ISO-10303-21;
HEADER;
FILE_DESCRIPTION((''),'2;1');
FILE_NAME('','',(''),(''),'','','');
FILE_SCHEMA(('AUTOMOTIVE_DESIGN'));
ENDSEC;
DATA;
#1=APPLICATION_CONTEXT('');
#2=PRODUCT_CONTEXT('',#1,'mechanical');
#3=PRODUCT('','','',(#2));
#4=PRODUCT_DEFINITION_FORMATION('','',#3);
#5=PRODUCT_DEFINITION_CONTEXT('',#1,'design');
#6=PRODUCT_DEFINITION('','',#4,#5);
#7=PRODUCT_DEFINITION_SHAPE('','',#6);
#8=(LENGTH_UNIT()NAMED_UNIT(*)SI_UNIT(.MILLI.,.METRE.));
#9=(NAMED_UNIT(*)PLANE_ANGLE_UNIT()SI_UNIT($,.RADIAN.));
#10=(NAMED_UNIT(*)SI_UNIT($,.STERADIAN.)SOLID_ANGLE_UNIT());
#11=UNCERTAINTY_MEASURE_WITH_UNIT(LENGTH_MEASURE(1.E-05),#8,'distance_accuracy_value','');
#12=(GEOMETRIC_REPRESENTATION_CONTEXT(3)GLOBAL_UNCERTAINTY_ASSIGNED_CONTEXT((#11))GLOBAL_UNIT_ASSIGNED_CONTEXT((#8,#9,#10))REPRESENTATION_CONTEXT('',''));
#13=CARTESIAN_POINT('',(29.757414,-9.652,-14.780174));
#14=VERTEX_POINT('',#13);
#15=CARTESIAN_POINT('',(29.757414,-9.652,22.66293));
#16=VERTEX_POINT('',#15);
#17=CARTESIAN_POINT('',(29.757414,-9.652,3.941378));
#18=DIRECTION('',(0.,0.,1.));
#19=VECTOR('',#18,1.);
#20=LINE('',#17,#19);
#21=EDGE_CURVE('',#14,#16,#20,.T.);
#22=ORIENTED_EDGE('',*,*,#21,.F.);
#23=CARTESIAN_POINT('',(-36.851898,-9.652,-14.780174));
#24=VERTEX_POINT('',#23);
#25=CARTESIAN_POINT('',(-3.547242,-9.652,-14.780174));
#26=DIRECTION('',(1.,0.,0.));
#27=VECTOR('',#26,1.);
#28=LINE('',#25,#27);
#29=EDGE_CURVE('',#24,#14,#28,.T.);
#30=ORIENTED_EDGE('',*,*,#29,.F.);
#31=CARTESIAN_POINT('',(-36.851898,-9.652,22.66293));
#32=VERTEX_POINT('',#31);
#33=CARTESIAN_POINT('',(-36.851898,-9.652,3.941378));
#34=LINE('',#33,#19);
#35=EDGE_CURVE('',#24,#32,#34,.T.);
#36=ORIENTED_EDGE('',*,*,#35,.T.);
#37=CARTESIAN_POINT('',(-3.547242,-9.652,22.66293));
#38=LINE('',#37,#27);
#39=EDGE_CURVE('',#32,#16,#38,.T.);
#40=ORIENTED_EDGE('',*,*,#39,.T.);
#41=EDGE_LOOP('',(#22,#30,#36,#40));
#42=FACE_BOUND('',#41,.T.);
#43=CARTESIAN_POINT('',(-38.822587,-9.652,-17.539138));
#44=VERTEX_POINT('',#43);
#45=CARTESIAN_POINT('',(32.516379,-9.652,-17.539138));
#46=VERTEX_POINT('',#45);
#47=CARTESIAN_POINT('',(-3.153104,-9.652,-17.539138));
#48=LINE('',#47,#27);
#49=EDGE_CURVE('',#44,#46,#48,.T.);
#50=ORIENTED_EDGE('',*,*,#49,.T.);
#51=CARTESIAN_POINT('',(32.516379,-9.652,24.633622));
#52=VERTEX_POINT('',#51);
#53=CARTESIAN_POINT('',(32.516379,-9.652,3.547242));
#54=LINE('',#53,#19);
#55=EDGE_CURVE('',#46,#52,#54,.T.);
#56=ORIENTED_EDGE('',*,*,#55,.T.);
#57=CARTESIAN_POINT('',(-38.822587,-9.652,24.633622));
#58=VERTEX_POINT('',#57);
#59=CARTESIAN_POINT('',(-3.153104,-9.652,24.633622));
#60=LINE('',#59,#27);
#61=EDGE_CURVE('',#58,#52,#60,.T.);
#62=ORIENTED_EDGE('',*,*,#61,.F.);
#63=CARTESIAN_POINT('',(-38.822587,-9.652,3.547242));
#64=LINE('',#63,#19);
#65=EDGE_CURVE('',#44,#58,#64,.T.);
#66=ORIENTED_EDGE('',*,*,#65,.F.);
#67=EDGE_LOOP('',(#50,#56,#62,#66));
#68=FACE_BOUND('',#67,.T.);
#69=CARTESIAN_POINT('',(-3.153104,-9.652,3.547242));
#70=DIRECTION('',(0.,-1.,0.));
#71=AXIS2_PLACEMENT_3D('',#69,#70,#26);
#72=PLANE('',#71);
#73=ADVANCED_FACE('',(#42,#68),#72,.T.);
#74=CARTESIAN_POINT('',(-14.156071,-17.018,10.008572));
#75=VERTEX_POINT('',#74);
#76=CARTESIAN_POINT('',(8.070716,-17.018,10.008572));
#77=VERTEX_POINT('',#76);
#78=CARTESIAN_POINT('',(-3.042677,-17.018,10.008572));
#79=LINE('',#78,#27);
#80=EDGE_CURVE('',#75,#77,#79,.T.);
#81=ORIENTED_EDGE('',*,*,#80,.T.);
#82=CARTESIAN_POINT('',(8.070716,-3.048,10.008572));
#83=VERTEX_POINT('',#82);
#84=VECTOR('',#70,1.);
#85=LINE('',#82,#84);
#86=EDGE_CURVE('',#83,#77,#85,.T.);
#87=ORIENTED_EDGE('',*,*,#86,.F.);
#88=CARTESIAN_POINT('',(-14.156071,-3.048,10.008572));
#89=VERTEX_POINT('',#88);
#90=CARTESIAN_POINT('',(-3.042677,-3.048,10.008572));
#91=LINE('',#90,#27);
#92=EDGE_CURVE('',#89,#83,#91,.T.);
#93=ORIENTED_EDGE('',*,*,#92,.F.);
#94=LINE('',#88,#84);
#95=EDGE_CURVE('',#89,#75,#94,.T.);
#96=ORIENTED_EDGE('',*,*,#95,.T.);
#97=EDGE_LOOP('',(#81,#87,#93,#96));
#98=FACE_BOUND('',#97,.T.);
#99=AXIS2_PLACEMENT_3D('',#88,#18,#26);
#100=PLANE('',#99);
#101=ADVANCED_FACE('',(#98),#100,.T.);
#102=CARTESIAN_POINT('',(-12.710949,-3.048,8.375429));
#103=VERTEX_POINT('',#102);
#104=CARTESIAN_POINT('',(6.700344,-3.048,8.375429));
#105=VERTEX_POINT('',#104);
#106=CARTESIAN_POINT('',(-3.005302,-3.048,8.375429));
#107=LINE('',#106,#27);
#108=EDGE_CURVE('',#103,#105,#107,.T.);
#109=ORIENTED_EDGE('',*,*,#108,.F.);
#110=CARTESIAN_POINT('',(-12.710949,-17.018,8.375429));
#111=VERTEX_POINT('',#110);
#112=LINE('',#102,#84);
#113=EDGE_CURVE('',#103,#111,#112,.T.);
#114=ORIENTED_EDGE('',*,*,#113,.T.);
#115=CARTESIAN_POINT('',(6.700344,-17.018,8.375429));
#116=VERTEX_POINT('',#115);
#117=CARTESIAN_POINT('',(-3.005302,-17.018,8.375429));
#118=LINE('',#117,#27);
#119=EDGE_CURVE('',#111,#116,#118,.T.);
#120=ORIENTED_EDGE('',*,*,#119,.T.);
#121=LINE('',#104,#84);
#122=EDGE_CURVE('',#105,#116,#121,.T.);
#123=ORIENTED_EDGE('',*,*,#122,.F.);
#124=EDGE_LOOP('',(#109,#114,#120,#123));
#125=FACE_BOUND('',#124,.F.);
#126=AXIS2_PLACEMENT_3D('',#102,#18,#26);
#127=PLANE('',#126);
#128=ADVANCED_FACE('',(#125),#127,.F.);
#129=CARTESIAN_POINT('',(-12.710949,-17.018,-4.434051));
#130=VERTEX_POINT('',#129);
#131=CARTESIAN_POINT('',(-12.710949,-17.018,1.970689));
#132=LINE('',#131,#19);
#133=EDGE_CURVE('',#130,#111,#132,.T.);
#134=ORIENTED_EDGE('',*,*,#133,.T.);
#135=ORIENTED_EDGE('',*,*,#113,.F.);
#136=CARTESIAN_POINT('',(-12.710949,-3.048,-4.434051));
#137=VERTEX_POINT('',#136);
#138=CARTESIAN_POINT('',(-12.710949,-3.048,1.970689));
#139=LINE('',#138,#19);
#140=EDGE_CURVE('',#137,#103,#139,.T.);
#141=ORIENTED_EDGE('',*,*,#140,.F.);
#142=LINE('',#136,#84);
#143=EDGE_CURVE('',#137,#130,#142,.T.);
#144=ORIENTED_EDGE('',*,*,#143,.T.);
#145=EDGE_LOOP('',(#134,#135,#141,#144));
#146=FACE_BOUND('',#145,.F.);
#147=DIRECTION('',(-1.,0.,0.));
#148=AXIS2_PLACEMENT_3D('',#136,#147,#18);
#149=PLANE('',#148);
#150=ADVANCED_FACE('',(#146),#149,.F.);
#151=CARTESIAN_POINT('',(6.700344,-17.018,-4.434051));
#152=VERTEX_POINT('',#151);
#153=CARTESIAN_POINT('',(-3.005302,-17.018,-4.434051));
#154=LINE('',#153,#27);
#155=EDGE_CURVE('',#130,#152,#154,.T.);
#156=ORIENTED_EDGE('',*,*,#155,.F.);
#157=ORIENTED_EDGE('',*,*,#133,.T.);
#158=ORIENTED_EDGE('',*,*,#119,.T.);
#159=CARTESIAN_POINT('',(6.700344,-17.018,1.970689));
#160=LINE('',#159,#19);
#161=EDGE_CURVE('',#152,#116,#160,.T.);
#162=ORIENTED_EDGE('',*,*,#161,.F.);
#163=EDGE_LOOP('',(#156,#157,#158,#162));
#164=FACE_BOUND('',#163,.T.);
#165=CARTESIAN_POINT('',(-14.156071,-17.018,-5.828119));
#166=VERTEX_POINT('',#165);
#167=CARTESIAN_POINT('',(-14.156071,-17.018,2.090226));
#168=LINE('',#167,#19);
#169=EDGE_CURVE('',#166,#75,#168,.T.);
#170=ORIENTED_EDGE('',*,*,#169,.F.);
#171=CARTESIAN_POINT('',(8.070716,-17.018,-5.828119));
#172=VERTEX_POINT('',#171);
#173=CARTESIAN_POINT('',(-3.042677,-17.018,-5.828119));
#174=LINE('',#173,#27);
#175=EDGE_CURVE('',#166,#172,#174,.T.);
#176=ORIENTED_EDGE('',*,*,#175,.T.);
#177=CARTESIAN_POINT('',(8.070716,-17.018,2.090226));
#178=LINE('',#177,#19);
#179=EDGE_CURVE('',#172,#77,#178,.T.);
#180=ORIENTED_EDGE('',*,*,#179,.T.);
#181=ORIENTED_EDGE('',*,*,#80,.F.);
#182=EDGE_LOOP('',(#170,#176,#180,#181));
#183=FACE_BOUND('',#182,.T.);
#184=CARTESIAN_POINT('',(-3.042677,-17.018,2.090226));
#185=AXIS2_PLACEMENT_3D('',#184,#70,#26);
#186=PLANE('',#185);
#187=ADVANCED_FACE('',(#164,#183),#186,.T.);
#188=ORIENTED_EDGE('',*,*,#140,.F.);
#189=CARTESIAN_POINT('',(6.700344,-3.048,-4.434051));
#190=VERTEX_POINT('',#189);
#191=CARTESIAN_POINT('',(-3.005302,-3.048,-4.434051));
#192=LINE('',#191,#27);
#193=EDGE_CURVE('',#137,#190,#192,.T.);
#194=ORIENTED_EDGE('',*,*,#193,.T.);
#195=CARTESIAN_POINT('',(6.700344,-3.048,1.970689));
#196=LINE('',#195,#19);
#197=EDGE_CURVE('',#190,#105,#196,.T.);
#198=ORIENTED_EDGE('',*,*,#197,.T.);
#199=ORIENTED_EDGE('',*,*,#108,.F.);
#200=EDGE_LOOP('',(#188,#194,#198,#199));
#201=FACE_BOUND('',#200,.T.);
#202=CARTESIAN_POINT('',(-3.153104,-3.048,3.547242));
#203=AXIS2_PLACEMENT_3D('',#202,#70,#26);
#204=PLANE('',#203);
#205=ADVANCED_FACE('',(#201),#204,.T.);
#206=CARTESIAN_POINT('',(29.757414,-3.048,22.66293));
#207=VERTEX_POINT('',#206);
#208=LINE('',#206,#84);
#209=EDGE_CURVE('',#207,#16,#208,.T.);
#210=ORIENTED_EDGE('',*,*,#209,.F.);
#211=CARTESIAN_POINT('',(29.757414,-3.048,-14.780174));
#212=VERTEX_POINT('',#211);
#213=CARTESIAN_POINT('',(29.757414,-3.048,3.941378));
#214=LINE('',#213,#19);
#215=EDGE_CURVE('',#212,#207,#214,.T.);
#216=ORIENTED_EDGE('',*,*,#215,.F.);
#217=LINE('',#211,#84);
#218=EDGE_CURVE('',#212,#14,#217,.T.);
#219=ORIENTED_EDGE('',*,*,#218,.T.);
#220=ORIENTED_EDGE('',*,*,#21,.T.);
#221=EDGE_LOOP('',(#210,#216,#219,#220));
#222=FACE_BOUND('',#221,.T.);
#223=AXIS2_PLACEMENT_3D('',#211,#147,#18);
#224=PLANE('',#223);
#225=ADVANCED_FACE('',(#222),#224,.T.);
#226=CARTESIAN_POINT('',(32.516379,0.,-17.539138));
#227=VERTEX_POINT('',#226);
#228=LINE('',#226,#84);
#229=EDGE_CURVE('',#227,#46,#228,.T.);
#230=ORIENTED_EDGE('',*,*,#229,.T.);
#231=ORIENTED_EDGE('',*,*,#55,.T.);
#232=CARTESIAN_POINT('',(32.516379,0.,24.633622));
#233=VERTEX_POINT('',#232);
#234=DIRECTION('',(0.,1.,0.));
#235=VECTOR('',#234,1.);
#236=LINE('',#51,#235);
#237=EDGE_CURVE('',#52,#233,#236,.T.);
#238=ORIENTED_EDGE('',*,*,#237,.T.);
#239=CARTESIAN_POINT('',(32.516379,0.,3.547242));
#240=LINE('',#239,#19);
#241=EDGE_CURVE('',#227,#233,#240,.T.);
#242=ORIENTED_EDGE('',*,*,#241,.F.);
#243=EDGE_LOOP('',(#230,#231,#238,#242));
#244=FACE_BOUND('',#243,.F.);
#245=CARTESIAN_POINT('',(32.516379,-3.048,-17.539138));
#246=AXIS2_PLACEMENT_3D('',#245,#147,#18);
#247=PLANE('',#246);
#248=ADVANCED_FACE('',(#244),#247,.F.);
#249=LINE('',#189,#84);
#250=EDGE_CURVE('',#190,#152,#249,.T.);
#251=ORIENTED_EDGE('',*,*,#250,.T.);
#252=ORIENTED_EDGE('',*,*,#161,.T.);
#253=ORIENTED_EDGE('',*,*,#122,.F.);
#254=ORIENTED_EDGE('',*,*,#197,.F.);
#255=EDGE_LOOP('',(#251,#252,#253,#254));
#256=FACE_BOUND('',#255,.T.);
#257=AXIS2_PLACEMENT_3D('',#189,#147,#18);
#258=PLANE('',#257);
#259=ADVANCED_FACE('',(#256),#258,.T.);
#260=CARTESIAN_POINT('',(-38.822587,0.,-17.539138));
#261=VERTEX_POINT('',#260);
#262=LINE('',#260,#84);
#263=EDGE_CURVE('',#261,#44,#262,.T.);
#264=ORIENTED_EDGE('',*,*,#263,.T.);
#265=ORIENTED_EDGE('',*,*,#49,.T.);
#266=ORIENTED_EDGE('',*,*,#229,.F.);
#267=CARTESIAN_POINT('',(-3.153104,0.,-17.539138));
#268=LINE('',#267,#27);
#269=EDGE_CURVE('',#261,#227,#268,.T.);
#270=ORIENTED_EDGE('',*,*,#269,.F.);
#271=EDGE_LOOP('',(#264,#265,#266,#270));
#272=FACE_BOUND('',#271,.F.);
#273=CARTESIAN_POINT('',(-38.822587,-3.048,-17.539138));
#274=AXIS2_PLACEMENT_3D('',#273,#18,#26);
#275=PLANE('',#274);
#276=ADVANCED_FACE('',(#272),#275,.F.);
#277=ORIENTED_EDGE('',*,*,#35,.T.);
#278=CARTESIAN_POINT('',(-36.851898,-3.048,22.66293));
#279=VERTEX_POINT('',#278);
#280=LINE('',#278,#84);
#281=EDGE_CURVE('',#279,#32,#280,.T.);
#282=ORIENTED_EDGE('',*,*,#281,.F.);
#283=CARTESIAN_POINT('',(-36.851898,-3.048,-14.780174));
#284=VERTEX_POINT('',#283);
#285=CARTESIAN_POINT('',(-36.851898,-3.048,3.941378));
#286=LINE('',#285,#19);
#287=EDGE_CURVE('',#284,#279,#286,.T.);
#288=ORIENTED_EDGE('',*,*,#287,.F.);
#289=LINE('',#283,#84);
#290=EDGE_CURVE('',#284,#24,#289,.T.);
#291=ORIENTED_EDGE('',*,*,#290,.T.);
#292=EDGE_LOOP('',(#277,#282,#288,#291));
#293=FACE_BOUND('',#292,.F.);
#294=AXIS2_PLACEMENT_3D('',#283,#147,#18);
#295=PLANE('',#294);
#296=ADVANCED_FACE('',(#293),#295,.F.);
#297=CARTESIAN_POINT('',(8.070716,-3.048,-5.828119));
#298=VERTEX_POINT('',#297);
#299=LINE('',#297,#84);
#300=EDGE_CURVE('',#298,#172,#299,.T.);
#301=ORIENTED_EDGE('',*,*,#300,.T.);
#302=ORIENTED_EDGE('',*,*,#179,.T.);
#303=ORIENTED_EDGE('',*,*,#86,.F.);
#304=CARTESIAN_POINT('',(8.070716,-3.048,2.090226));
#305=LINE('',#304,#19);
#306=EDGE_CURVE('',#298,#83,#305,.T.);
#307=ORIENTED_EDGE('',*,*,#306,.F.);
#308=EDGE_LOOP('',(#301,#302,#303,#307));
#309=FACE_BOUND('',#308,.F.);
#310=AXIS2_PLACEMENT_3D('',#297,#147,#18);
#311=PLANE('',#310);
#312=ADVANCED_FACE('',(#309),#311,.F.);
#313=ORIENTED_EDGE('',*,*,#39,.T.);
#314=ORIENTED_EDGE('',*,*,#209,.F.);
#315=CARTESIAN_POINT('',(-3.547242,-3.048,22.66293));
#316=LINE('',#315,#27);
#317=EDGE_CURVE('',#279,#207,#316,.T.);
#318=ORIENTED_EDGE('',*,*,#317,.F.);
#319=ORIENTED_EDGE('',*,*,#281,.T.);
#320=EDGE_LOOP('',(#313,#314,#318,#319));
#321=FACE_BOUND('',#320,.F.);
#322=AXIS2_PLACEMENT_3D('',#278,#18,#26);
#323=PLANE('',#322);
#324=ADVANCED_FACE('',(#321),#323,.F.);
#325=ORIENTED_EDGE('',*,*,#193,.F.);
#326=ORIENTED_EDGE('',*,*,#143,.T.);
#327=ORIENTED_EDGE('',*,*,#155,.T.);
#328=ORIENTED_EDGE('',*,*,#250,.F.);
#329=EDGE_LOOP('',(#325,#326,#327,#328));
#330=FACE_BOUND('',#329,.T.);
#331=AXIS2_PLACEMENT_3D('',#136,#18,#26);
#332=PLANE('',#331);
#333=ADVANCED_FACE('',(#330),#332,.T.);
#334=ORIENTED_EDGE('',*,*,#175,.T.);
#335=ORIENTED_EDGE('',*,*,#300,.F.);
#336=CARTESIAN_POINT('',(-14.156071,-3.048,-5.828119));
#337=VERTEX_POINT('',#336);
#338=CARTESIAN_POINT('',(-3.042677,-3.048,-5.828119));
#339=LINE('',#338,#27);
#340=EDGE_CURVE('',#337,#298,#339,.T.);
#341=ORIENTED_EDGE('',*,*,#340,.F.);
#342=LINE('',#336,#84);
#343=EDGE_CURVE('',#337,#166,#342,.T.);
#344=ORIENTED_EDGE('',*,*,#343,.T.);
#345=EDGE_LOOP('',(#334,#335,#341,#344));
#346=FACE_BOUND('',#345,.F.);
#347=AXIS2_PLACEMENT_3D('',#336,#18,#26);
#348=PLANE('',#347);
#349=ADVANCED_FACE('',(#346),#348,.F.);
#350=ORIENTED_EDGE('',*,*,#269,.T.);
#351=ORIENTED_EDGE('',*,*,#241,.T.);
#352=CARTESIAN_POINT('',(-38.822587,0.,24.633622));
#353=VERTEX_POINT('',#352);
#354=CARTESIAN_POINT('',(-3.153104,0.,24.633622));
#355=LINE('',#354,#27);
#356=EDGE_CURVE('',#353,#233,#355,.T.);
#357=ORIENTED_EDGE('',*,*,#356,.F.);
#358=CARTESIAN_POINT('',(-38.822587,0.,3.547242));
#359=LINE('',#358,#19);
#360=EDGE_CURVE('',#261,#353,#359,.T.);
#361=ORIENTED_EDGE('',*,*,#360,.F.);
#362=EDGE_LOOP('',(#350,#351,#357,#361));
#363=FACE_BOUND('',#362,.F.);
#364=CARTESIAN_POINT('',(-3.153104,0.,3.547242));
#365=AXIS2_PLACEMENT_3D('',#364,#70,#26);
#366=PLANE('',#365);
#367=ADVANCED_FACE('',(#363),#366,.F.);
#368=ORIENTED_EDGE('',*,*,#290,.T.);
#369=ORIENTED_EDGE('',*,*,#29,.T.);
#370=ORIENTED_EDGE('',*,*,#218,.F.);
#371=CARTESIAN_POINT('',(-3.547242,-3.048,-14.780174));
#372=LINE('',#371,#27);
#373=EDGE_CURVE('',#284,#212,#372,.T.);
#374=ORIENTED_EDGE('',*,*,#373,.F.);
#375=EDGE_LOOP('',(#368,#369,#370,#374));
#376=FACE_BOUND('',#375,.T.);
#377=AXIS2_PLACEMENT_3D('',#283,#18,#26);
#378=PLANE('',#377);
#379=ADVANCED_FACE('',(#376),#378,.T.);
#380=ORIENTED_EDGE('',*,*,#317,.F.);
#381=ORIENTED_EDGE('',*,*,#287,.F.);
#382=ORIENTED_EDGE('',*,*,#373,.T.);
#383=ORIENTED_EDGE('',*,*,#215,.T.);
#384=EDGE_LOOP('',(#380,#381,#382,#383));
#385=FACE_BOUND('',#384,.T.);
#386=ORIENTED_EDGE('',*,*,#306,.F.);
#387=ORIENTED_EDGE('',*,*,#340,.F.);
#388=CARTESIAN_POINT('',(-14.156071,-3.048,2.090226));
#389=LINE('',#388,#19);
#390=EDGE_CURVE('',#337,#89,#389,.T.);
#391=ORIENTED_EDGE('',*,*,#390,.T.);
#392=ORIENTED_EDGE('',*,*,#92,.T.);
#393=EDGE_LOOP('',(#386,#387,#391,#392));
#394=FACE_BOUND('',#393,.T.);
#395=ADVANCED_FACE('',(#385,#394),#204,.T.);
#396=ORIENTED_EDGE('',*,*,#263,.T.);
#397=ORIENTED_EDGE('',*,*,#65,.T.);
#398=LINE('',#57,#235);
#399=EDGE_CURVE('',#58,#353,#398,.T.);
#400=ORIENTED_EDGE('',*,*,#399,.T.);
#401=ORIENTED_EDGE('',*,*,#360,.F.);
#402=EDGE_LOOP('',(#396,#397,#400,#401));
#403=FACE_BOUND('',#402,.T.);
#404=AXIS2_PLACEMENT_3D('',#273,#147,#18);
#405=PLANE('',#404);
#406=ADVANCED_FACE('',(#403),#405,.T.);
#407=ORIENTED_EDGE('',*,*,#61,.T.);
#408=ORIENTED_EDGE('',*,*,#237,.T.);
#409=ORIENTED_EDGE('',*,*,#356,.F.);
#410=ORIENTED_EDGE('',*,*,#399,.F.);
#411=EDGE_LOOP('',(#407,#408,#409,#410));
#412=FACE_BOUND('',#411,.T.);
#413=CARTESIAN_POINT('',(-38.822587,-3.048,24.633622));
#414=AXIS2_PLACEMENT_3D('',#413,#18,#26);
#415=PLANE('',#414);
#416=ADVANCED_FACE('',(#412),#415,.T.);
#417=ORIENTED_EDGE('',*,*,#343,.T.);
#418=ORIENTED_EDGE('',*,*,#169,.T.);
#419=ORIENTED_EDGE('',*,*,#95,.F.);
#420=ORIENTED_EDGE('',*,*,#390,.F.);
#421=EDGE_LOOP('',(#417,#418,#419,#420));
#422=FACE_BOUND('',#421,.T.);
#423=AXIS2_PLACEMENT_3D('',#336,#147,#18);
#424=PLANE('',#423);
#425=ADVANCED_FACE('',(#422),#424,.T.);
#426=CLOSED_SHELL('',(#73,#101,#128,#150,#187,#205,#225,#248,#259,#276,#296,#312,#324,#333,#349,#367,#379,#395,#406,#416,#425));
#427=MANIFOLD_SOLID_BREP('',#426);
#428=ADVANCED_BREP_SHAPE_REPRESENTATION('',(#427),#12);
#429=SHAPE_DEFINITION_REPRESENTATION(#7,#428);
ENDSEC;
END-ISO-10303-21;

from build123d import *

# Parameters (mm, degrees)
F0_W     = 71.338967
F0_H     = 42.17276
F1_DEPTH = 3.048
F2_W     = 71.338967
F2_H     = 42.17276
F2_W_2   = 66.609312
F2_H_2   = 37.443103
F3_DEPTH = 6.604
F4_W     = 22.226787
F4_H     = 15.836691
F4_W_2   = 19.411293
F4_H_2   = 12.809481
F5_DEPTH = 13.97


with BuildPart() as f1:
    # F0 (on Front) → F1 (new body)
    with BuildSketch(Plane.XZ):
        with Locations((-3.153104, 3.547242)):
            Rectangle(F0_W, F0_H)
    extrude(amount=F1_DEPTH)

    # F2 (on face) → F3 (join)
    with BuildSketch(Plane.XZ.offset(3.048)):
        with Locations((-3.153104, 3.547242)):
            Rectangle(F2_W, F2_H)
        with Locations((-3.547242, 3.941378)):
            Rectangle(F2_W_2, F2_H_2, mode=Mode.SUBTRACT)
    extrude(amount=F3_DEPTH)

    # F4 (on face) → F5 (join)
    with BuildSketch(Plane.XZ.offset(3.048)):
        with Locations((-3.042677, 2.090226)):
            Rectangle(F4_W, F4_H)
        with Locations((-3.005302, 1.970689)):
            Rectangle(F4_W_2, F4_H_2, mode=Mode.SUBTRACT)
    extrude(amount=F5_DEPTH)


solid = f1.part
